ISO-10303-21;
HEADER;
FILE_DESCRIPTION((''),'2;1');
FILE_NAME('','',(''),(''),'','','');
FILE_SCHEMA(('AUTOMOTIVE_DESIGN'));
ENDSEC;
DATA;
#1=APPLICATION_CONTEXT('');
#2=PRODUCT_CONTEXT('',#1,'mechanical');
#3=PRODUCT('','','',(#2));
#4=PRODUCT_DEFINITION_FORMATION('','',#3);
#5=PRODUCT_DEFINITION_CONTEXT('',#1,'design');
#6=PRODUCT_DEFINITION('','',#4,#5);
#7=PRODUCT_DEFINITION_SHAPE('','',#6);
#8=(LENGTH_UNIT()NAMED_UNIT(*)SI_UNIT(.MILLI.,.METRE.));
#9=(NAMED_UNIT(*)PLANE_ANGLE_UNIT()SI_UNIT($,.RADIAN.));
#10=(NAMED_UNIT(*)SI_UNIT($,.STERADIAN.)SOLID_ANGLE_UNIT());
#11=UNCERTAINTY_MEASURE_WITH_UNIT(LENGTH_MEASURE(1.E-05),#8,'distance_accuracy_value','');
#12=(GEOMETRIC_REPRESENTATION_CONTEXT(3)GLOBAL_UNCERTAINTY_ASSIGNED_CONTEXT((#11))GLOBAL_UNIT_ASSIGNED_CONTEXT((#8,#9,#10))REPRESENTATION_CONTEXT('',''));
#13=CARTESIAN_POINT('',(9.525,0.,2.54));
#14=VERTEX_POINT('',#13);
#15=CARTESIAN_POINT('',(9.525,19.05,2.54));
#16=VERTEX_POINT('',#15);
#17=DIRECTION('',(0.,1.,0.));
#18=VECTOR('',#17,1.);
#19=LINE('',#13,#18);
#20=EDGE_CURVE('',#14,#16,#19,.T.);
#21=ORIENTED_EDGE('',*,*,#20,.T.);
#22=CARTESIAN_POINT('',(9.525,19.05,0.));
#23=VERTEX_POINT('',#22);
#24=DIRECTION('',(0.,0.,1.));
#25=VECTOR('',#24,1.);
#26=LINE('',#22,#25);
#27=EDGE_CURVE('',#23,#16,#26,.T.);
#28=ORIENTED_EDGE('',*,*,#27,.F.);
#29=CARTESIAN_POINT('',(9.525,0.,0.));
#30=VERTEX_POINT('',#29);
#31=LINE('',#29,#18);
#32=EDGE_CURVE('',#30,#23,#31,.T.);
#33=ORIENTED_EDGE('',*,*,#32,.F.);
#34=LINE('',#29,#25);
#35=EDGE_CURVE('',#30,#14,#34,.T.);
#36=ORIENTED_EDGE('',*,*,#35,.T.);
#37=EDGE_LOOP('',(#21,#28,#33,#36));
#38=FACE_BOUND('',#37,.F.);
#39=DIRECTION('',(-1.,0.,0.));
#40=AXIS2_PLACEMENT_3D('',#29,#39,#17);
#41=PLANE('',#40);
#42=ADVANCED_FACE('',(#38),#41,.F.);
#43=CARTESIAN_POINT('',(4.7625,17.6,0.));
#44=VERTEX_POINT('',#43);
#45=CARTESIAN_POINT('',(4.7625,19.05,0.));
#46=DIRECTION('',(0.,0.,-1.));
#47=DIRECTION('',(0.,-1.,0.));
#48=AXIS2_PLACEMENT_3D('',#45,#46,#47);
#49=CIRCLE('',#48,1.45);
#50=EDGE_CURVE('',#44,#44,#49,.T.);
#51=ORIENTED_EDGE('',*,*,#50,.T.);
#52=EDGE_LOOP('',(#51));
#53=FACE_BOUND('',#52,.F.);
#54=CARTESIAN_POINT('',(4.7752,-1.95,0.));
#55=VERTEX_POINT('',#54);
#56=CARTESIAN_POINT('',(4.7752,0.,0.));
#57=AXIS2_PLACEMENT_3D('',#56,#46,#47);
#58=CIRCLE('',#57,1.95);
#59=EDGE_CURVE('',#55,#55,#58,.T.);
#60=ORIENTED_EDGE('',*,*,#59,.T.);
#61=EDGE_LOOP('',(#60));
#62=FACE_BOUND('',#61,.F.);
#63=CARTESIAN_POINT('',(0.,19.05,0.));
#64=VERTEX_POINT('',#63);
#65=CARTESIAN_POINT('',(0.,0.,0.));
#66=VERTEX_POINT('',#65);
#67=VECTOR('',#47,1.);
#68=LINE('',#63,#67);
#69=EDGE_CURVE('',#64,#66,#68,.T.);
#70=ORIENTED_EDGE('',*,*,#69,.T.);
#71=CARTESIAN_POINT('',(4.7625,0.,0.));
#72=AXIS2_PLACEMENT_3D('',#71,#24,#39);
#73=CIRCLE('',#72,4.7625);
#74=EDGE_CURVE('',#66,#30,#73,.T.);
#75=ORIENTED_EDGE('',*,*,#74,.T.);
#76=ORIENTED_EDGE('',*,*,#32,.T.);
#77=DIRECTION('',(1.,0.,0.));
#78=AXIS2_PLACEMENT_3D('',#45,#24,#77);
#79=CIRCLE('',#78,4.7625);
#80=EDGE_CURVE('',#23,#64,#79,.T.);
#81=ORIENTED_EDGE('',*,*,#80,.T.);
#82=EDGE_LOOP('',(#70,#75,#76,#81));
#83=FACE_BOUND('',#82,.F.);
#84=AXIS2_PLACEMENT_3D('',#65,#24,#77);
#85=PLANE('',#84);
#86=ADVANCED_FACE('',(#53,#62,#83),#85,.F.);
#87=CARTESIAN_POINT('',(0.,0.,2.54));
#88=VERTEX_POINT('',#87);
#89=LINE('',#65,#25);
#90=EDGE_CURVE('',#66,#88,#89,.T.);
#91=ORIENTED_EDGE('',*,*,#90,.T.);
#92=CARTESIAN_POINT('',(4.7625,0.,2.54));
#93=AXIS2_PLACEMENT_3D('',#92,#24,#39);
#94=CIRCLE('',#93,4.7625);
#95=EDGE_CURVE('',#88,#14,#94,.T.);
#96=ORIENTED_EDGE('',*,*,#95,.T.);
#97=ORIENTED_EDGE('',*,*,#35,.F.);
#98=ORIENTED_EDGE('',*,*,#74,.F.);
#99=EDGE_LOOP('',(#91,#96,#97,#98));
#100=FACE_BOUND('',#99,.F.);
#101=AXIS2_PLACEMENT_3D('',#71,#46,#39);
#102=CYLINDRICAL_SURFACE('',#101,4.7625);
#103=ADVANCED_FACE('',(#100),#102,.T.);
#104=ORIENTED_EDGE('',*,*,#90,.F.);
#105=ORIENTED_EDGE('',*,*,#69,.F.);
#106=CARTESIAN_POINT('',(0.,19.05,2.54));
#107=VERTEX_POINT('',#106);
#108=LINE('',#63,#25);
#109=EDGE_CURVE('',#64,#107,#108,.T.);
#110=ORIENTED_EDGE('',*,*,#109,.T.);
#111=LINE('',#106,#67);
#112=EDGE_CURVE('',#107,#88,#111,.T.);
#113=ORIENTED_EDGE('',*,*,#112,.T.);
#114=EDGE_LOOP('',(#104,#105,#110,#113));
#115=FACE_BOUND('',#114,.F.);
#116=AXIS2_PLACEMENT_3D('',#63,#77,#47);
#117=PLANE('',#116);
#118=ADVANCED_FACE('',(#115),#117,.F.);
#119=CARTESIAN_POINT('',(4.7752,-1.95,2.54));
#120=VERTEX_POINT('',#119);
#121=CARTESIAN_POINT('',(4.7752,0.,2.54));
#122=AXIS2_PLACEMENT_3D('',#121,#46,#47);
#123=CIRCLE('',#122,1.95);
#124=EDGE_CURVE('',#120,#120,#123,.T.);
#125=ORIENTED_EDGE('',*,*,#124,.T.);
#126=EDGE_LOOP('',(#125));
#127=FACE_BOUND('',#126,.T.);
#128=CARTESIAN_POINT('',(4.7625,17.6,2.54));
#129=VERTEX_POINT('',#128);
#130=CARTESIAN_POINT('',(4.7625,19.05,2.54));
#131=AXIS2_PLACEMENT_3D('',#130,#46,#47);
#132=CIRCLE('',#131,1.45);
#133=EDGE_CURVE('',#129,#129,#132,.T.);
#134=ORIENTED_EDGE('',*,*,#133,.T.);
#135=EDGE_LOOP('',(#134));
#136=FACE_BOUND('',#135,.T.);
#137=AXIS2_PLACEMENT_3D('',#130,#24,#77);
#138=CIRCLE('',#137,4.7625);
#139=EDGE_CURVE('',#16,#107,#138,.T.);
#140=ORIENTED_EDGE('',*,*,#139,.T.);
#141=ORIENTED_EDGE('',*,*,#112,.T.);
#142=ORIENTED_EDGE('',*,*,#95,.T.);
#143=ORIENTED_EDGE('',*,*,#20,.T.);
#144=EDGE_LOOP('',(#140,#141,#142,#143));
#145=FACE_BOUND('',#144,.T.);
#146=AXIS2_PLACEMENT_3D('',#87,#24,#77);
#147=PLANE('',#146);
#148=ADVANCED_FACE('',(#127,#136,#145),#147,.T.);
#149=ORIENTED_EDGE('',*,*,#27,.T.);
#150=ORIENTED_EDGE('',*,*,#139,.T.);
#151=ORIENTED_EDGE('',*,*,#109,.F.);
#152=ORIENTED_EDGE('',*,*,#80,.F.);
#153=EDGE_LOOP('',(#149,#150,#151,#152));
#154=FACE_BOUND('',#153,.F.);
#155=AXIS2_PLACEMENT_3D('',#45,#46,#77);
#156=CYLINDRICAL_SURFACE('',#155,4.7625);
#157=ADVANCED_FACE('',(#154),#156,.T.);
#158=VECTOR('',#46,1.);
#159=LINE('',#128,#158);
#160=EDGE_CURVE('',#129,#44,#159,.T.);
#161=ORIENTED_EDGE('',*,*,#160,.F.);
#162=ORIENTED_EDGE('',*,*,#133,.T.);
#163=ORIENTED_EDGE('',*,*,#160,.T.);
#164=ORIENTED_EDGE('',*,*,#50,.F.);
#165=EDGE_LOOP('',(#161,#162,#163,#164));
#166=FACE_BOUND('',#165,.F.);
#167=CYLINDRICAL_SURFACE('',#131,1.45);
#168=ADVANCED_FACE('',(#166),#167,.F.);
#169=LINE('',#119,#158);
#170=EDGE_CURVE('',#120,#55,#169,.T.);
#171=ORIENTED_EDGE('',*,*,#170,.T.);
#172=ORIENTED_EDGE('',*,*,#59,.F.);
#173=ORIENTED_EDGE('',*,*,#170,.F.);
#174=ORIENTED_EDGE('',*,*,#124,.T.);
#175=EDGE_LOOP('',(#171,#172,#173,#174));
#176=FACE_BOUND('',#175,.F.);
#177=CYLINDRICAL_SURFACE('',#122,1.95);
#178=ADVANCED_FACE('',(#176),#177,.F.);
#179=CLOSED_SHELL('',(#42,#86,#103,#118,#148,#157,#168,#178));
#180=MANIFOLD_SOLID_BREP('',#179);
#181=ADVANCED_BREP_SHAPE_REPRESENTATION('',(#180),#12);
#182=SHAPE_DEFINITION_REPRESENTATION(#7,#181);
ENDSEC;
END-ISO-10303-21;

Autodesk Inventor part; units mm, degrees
ref_plane "YZ Plane" through (0, 0, 0) normal (1, 0, 0) x (0, 1, 0)
ref_plane "XZ Plane" through (0, 0, 0) normal (0, 1, 0) x (-1, 0, 0)
ref_plane "XY Plane" through (0, 0, 0) normal (0, 0, 1) x (1, 0, 0)
sketch "Sketch1" plane through (0, 0, 0) normal (0, 0, 1) x (1, 0, 0)
  line L0 (9.525, 0) -> (9.525, 19.05)
  line L1 (0, 19.05) -> (0, 0)
  arc A0 (9.525, 19.05) -> (0, 19.05) centre (4.7625, 19.05) ccw
  arc A1 (0, 0) -> (9.525, 0) centre (4.7625, 0) ccw
  dimension "d0" = 9.525
  dimension "d1" = 19.05
extrude "Extrusion1" add sketch "Sketch1" along normal blind 2.54
sketch "Sketch2" plane through (0, 0, 2.54) normal (0, 0, 1) x (1, 0, 0)
  arc A0 (9.525, 19.05) -> (0, 19.05) centre (4.7625, 19.05) ccw projected
  point P0 (0, 0)
  dimension "d18" = 4.7625
hole "Hole1" at (4.7625, 19.05, 2.54) direction (0, 0, -1) diameter 2.9 end through all
sketch "Sketch3" plane through (0, 0, 2.54) normal (0, 0, 1) x (1, 0, 0)
  circle A0 centre (4.7625, 19.05) radius 1.45 projected
  point P0 (0, 0)
  point P1 (4.7752, 0)
  dimension "d19" = 4.7752
  dimension "d20" = 19.05
  dimension "d21" = 2.9
hole "Hole2" at (4.7752, 0, 2.54) direction (0, 0, -1) diameter 3.9 end through all
